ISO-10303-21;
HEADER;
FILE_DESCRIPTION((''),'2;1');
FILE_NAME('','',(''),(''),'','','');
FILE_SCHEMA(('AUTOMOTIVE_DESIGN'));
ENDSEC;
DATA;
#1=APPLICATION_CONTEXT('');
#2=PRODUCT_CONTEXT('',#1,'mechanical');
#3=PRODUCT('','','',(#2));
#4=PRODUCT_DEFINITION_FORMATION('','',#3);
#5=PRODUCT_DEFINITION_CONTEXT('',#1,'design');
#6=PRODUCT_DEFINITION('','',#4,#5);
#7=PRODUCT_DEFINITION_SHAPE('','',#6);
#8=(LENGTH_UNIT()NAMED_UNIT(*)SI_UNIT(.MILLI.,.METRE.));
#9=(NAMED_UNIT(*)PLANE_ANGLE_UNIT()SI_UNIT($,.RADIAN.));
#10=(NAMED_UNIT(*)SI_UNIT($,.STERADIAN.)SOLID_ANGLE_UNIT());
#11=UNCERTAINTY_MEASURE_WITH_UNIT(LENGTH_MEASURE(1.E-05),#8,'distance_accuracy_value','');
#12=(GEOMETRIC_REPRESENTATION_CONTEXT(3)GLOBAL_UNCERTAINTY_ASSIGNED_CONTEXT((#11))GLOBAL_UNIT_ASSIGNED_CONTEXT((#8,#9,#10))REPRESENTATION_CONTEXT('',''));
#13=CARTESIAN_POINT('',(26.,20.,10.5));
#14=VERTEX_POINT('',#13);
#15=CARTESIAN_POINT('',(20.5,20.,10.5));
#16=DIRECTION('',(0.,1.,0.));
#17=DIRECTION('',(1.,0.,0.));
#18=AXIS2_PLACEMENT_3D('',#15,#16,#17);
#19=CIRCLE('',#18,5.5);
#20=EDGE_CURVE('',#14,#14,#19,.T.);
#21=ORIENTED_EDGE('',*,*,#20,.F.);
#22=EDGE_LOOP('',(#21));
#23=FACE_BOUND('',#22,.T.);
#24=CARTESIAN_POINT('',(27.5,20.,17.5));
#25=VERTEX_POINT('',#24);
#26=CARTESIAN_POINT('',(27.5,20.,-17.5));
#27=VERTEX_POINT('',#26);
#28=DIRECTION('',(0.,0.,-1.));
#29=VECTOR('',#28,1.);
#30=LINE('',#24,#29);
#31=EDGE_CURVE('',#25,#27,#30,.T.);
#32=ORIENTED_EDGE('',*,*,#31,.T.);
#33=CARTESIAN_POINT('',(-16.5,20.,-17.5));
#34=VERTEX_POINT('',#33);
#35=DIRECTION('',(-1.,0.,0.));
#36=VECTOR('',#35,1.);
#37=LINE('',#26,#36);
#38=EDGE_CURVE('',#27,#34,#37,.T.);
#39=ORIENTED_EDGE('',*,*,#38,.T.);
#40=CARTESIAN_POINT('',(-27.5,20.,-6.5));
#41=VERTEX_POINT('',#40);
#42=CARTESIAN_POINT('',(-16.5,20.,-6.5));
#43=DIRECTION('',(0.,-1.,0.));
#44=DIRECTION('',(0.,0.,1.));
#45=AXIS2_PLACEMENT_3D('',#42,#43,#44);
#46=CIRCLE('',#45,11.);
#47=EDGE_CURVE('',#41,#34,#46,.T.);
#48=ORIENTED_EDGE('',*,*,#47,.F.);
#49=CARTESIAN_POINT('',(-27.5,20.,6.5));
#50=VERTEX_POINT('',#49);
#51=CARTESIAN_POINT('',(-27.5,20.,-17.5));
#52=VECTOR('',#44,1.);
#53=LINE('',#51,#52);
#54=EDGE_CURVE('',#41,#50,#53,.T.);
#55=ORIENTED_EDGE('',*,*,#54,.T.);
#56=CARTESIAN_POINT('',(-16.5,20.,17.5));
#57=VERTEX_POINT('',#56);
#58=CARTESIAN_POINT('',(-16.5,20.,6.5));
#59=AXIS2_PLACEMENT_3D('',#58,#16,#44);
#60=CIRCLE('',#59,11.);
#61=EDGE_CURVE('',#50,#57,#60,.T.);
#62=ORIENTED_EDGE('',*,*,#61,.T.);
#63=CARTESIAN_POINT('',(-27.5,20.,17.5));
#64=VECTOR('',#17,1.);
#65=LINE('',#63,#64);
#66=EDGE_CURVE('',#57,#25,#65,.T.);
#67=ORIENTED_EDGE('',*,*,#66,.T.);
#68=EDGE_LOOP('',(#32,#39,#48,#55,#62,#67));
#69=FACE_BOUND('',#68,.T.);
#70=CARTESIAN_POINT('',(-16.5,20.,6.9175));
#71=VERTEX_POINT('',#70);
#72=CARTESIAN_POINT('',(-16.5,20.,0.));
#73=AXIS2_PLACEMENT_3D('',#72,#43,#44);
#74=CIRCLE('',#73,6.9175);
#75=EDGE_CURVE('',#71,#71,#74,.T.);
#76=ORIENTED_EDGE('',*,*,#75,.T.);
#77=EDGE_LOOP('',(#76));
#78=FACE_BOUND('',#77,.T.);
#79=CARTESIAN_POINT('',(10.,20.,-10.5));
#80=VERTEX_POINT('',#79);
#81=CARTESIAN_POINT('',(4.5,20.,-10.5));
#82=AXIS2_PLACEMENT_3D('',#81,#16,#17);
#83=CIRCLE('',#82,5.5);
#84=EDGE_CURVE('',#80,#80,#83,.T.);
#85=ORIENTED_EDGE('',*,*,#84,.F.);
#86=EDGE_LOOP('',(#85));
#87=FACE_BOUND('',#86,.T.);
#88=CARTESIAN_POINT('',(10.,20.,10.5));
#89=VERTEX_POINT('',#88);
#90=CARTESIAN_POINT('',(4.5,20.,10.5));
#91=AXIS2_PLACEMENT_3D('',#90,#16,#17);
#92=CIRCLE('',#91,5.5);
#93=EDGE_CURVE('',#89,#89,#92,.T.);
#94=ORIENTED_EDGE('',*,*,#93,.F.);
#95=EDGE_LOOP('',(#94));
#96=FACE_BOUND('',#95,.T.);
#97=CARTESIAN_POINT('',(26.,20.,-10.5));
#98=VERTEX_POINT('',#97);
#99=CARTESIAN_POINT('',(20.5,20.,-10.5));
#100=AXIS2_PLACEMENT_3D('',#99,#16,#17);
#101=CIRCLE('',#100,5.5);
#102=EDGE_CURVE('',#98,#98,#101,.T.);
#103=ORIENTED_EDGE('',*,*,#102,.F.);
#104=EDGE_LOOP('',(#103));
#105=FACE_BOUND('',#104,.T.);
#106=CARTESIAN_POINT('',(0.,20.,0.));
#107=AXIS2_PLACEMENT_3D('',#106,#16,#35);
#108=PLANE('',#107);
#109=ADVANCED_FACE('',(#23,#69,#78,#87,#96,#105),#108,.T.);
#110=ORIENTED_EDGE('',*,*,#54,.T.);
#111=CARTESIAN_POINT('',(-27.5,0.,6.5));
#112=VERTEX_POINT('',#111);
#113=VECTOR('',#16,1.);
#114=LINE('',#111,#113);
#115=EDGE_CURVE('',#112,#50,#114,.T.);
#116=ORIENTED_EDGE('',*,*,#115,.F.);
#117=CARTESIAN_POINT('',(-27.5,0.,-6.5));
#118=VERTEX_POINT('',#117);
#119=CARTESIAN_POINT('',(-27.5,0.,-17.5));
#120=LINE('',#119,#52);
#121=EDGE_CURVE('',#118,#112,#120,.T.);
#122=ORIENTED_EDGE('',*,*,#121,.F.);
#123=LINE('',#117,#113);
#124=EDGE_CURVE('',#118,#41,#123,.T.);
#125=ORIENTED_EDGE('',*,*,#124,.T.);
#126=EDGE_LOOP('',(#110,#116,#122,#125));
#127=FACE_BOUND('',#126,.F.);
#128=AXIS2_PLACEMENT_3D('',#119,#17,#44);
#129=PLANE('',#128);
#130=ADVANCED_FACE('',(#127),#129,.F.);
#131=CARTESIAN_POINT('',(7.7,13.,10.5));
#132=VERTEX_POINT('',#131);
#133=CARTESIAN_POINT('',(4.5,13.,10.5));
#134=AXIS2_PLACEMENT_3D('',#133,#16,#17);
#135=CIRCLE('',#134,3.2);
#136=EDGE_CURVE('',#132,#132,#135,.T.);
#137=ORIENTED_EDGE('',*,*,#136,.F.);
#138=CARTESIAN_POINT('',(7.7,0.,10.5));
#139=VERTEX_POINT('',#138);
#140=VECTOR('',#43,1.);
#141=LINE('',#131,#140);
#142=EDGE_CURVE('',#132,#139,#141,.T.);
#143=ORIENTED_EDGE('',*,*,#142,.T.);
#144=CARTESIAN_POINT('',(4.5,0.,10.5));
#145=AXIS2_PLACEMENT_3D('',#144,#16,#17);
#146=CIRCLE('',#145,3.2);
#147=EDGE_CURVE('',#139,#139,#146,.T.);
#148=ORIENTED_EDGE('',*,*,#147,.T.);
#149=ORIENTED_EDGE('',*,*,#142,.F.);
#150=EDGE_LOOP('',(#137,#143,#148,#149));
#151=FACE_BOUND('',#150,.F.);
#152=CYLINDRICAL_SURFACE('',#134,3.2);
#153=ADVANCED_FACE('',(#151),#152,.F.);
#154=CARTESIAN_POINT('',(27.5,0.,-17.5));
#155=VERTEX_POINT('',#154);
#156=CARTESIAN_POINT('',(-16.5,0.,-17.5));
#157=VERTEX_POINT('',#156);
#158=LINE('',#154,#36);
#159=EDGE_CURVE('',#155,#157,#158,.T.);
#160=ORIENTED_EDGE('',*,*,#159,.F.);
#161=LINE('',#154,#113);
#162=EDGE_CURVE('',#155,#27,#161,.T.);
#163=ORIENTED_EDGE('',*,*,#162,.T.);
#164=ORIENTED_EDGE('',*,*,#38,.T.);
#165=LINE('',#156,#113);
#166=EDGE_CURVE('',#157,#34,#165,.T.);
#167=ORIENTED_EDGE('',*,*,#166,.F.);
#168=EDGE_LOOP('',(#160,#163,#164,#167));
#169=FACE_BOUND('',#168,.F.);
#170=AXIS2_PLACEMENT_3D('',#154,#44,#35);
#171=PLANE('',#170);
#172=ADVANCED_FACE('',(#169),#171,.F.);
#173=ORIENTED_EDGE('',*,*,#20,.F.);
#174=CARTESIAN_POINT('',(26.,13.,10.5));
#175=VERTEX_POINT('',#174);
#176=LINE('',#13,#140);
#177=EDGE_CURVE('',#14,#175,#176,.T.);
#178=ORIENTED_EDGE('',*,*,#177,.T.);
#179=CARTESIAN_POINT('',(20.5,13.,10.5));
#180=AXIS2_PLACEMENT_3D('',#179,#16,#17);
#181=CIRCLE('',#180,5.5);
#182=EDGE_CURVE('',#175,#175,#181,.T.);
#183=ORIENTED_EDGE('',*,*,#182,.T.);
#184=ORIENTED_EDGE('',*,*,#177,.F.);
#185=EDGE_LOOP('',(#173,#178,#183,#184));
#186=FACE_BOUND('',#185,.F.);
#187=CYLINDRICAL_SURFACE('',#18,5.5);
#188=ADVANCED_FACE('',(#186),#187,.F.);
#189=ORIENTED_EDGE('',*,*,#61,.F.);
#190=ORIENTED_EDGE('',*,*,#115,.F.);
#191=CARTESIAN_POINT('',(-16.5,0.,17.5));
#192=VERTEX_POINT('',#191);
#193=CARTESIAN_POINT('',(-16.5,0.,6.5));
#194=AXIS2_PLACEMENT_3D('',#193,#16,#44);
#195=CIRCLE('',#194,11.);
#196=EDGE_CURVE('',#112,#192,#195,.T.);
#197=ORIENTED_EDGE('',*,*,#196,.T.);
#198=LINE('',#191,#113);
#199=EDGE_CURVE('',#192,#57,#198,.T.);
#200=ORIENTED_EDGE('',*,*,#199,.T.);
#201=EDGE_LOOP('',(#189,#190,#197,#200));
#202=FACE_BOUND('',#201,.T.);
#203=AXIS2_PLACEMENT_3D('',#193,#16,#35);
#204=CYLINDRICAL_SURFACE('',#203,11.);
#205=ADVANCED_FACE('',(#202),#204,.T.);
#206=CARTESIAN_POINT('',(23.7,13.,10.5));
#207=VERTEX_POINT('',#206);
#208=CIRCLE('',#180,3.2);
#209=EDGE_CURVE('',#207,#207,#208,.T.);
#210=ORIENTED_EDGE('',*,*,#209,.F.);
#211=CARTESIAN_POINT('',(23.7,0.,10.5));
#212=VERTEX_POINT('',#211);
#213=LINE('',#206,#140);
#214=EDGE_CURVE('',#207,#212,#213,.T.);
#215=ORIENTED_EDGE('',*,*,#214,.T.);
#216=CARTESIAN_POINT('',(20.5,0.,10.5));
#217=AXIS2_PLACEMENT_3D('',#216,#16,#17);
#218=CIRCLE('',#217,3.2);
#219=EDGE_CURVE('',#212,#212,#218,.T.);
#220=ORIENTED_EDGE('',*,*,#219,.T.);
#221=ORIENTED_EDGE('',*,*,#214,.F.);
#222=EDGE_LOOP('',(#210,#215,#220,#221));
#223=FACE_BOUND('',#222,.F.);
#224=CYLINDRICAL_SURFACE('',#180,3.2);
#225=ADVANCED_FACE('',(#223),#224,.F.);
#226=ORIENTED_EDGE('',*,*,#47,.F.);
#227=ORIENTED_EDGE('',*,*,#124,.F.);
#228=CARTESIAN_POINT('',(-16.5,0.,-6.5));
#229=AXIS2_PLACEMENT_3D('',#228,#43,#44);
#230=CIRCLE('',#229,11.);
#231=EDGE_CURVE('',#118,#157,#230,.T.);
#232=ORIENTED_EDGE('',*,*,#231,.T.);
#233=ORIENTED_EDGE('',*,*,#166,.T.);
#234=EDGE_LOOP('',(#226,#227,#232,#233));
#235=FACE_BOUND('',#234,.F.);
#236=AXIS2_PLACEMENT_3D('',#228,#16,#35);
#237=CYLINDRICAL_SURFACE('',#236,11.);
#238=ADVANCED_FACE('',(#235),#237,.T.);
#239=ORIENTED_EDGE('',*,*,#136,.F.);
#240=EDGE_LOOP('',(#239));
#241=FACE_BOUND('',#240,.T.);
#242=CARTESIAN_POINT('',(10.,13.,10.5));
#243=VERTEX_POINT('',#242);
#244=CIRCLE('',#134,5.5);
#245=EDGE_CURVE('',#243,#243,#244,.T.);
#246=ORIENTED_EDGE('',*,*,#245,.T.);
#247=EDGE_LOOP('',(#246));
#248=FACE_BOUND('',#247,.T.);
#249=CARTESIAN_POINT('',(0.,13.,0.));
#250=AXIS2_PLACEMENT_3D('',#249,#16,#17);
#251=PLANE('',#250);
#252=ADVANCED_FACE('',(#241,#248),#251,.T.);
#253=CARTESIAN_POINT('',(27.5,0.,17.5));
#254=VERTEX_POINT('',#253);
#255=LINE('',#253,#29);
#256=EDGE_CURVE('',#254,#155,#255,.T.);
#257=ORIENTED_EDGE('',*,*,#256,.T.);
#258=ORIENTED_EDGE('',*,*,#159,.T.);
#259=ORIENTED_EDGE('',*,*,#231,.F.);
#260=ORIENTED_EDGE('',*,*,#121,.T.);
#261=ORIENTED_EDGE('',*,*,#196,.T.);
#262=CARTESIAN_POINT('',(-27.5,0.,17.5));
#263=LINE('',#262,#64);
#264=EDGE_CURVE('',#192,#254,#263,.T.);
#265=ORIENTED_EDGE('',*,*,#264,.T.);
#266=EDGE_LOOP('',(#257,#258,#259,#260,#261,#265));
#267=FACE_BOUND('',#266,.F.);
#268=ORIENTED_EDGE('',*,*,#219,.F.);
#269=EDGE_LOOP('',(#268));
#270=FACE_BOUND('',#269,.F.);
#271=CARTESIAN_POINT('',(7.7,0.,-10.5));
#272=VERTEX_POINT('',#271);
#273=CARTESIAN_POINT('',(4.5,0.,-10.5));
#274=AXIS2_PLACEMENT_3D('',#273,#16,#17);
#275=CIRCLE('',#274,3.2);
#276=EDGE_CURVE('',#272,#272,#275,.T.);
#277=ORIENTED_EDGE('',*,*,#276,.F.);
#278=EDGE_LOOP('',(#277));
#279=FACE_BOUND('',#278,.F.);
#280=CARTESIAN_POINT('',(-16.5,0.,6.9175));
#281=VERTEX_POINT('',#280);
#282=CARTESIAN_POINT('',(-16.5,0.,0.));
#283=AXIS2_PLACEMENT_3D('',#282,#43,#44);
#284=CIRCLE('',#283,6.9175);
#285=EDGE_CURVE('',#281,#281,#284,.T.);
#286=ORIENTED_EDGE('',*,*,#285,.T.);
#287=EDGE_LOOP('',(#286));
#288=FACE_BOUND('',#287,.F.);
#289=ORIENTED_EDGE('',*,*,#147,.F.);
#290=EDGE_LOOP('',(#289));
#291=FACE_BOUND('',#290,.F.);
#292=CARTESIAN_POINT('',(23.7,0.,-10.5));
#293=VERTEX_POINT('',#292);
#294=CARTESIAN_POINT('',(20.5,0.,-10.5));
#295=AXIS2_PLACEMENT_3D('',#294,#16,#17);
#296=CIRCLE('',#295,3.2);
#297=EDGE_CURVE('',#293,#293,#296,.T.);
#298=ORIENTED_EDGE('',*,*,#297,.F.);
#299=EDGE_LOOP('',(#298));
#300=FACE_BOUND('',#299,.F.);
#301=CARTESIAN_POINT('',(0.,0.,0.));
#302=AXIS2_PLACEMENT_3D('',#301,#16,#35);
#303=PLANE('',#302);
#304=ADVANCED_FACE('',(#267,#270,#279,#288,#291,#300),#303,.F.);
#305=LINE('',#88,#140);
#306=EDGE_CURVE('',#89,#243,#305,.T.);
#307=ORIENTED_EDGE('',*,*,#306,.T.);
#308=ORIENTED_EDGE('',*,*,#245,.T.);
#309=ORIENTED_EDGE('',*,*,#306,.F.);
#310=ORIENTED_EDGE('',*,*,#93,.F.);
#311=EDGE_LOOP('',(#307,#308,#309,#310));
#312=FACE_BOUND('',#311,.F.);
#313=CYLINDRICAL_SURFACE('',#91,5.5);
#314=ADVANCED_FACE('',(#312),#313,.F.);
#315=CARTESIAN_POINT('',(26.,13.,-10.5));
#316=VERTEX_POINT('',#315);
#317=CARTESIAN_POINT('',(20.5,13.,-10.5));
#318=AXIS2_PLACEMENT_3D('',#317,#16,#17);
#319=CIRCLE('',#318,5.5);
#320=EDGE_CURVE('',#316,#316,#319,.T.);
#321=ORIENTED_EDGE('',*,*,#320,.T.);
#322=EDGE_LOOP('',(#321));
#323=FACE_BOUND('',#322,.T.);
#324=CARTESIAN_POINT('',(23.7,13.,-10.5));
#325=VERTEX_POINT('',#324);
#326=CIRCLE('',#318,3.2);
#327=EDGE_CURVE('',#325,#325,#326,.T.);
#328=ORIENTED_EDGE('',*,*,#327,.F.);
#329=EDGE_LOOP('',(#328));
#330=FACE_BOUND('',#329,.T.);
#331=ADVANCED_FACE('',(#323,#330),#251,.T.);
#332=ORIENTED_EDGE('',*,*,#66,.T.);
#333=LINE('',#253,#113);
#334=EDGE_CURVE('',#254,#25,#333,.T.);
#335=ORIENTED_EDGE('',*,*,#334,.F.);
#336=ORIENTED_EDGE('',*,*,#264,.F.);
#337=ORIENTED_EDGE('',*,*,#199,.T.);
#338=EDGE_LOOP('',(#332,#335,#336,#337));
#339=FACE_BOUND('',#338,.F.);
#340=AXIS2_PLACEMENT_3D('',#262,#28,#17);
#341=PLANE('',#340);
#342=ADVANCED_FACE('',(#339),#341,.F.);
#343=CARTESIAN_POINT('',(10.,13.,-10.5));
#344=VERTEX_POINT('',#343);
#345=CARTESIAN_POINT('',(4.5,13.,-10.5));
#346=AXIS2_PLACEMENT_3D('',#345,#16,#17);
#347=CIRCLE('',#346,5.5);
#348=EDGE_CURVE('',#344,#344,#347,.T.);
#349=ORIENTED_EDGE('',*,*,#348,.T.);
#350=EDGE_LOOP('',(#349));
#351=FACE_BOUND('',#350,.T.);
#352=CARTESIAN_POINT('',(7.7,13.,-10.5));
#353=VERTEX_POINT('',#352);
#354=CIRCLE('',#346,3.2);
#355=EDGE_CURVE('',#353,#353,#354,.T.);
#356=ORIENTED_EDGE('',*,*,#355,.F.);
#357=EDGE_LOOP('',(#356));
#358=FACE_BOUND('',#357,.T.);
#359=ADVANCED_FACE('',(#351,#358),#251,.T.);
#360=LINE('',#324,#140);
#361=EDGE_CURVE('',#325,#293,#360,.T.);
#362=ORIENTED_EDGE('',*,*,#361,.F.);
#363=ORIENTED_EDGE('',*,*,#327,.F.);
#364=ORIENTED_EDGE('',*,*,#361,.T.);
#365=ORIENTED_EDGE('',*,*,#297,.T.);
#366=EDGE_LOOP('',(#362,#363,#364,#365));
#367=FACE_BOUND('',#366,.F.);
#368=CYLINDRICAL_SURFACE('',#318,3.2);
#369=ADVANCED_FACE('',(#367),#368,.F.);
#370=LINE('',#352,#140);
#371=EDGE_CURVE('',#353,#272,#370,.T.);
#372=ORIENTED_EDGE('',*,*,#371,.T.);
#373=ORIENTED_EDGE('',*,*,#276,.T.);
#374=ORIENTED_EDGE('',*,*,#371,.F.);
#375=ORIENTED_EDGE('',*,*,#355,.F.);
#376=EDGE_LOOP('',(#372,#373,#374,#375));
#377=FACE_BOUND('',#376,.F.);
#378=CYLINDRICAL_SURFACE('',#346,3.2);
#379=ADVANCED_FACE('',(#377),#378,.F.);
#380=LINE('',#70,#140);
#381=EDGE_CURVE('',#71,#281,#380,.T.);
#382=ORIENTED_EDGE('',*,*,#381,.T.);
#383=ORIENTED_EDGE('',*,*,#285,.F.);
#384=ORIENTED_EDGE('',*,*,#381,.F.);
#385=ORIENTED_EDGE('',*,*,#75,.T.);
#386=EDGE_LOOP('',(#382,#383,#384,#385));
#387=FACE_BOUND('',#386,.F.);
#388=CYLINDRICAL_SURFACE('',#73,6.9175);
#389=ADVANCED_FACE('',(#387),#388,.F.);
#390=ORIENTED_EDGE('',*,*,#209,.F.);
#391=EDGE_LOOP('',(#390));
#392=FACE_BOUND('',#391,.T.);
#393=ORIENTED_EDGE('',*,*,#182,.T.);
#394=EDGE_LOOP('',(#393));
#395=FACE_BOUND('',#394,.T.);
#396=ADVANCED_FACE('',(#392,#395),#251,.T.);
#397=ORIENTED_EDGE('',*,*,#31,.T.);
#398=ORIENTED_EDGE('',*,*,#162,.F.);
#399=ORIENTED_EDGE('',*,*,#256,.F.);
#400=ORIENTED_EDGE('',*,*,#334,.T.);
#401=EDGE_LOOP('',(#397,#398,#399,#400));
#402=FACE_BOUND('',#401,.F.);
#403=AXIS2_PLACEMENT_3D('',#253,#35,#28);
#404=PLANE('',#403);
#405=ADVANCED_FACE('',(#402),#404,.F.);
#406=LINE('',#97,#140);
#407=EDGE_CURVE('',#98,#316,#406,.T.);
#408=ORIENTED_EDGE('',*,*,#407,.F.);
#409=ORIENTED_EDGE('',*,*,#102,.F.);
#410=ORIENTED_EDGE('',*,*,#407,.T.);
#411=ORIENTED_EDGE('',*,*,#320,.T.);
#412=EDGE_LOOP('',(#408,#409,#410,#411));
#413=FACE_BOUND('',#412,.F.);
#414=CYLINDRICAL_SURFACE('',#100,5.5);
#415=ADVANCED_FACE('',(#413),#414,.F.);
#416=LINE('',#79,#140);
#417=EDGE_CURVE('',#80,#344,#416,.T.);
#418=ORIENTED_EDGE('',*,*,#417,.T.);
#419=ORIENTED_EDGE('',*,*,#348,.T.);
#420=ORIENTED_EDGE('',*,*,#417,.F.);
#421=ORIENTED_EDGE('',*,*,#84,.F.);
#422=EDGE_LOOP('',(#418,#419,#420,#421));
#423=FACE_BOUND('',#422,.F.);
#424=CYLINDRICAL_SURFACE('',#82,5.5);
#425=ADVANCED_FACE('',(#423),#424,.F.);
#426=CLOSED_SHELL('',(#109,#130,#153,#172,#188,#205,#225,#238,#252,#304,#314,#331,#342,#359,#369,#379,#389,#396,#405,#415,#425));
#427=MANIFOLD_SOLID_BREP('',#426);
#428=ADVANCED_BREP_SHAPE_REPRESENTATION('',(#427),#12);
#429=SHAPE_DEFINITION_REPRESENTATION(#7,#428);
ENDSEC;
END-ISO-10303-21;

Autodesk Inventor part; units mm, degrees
ref_plane "YZ Plane" through (0, 0, 0) normal (1, 0, 0) x (0, 1, 0)
ref_plane "XZ Plane" through (0, 0, 0) normal (0, 1, 0) x (-1, 0, 0)
ref_plane "XY Plane" through (0, 0, 0) normal (0, 0, 1) x (1, 0, 0)
sketch "Sketch1" plane through (0, 0, 0) normal (0, 1, 0) x (-1, 0, 0)
  line L0 (27.5, 17.5) -> (-27.5, 17.5)
  line L1 (-27.5, 17.5) -> (-27.5, -17.5)
  line L2 (-27.5, -17.5) -> (27.5, -17.5)
  line L3 (27.5, -17.5) -> (27.5, 17.5)
  line L4 (27.5, 17.5) -> (-27.5, -17.5) construction
  line L5 (-27.5, 17.5) -> (27.5, -17.5) construction
  point P0 (0, 0)
  dimension "d0" = 55
  dimension "d1" = 35
extrude "Extrusion1" add sketch "Sketch1" along normal blind 20
sketch "Sketch2" plane through (0, 20, 0) normal (0, 1, 0) x (1, 0, 0)
  circle A0 centre (20.5, 10.5) radius 5.5
  circle A1 centre (20.5, -10.5) radius 5.5
  circle A2 centre (4.5, -10.5) radius 5.5
  circle A3 centre (4.5, 10.5) radius 5.5
  line L0 (27.5, -17.5) -> (27.5, 17.5) projected
  point P0 (0, 0)
  dimension "d4" = 11
  dimension "d5" = 11
  dimension "d6" = 11
  dimension "d7" = 11
  dimension "d8" = 21
  dimension "d9" = 21
  dimension "d10" = 10.5
  dimension "d11" = 10.5
  dimension "d12" = 23
  dimension "d13" = 23
  dimension "d14" = 7
  dimension "d15" = 7
extrude "Extrusion2" cut sketch "Sketch2" against normal blind 7
sketch "Sketch3" plane through (4.5, 13, 10.5) normal (0, 1, 0) x (1, 0, 0)
  circle A0 centre (0, 0) radius 3.2
  circle A1 centre (0, 21) radius 5.5 projected
  circle A2 centre (16, 21) radius 5.5 projected
  circle A3 centre (16, 0) radius 5.5 projected
  circle A4 centre (0, 21) radius 3.2
  circle A5 centre (16, 21) radius 3.2
  circle A6 centre (16, 0) radius 3.2
  point P0 (-4.5, 10.5)
  dimension "d18" = 6.4
  dimension "d19" = 6.4
  dimension "d20" = 6.4
  dimension "d21" = 6.4
extrude "Extrusion3" cut sketch "Sketch3" against normal blind 20 contours A0 | A4 | A5 | A6
sketch "Sketch4" plane through (0, 20, 0) normal (0, 1, 0) x (1, 0, 0)
  line L0 (27.5, -17.5) -> (27.5, 17.5) projected
  point P0 (0, 0)
  point P1 (-16.5, 0)
  dimension "d27" = 44
fillet "Fillet1" radius 11 2 edges at (-27.5, 10, 17.5) (-27.5, 10, -17.5)
hole "Hole1" at (-16.5, 20, 0) direction (0, -1, 0) diameter 13.835 depth 41.3 thread size "M16x2" class "6H" standard "ISO Metric profile"
properties part number "Spindlesocket"
